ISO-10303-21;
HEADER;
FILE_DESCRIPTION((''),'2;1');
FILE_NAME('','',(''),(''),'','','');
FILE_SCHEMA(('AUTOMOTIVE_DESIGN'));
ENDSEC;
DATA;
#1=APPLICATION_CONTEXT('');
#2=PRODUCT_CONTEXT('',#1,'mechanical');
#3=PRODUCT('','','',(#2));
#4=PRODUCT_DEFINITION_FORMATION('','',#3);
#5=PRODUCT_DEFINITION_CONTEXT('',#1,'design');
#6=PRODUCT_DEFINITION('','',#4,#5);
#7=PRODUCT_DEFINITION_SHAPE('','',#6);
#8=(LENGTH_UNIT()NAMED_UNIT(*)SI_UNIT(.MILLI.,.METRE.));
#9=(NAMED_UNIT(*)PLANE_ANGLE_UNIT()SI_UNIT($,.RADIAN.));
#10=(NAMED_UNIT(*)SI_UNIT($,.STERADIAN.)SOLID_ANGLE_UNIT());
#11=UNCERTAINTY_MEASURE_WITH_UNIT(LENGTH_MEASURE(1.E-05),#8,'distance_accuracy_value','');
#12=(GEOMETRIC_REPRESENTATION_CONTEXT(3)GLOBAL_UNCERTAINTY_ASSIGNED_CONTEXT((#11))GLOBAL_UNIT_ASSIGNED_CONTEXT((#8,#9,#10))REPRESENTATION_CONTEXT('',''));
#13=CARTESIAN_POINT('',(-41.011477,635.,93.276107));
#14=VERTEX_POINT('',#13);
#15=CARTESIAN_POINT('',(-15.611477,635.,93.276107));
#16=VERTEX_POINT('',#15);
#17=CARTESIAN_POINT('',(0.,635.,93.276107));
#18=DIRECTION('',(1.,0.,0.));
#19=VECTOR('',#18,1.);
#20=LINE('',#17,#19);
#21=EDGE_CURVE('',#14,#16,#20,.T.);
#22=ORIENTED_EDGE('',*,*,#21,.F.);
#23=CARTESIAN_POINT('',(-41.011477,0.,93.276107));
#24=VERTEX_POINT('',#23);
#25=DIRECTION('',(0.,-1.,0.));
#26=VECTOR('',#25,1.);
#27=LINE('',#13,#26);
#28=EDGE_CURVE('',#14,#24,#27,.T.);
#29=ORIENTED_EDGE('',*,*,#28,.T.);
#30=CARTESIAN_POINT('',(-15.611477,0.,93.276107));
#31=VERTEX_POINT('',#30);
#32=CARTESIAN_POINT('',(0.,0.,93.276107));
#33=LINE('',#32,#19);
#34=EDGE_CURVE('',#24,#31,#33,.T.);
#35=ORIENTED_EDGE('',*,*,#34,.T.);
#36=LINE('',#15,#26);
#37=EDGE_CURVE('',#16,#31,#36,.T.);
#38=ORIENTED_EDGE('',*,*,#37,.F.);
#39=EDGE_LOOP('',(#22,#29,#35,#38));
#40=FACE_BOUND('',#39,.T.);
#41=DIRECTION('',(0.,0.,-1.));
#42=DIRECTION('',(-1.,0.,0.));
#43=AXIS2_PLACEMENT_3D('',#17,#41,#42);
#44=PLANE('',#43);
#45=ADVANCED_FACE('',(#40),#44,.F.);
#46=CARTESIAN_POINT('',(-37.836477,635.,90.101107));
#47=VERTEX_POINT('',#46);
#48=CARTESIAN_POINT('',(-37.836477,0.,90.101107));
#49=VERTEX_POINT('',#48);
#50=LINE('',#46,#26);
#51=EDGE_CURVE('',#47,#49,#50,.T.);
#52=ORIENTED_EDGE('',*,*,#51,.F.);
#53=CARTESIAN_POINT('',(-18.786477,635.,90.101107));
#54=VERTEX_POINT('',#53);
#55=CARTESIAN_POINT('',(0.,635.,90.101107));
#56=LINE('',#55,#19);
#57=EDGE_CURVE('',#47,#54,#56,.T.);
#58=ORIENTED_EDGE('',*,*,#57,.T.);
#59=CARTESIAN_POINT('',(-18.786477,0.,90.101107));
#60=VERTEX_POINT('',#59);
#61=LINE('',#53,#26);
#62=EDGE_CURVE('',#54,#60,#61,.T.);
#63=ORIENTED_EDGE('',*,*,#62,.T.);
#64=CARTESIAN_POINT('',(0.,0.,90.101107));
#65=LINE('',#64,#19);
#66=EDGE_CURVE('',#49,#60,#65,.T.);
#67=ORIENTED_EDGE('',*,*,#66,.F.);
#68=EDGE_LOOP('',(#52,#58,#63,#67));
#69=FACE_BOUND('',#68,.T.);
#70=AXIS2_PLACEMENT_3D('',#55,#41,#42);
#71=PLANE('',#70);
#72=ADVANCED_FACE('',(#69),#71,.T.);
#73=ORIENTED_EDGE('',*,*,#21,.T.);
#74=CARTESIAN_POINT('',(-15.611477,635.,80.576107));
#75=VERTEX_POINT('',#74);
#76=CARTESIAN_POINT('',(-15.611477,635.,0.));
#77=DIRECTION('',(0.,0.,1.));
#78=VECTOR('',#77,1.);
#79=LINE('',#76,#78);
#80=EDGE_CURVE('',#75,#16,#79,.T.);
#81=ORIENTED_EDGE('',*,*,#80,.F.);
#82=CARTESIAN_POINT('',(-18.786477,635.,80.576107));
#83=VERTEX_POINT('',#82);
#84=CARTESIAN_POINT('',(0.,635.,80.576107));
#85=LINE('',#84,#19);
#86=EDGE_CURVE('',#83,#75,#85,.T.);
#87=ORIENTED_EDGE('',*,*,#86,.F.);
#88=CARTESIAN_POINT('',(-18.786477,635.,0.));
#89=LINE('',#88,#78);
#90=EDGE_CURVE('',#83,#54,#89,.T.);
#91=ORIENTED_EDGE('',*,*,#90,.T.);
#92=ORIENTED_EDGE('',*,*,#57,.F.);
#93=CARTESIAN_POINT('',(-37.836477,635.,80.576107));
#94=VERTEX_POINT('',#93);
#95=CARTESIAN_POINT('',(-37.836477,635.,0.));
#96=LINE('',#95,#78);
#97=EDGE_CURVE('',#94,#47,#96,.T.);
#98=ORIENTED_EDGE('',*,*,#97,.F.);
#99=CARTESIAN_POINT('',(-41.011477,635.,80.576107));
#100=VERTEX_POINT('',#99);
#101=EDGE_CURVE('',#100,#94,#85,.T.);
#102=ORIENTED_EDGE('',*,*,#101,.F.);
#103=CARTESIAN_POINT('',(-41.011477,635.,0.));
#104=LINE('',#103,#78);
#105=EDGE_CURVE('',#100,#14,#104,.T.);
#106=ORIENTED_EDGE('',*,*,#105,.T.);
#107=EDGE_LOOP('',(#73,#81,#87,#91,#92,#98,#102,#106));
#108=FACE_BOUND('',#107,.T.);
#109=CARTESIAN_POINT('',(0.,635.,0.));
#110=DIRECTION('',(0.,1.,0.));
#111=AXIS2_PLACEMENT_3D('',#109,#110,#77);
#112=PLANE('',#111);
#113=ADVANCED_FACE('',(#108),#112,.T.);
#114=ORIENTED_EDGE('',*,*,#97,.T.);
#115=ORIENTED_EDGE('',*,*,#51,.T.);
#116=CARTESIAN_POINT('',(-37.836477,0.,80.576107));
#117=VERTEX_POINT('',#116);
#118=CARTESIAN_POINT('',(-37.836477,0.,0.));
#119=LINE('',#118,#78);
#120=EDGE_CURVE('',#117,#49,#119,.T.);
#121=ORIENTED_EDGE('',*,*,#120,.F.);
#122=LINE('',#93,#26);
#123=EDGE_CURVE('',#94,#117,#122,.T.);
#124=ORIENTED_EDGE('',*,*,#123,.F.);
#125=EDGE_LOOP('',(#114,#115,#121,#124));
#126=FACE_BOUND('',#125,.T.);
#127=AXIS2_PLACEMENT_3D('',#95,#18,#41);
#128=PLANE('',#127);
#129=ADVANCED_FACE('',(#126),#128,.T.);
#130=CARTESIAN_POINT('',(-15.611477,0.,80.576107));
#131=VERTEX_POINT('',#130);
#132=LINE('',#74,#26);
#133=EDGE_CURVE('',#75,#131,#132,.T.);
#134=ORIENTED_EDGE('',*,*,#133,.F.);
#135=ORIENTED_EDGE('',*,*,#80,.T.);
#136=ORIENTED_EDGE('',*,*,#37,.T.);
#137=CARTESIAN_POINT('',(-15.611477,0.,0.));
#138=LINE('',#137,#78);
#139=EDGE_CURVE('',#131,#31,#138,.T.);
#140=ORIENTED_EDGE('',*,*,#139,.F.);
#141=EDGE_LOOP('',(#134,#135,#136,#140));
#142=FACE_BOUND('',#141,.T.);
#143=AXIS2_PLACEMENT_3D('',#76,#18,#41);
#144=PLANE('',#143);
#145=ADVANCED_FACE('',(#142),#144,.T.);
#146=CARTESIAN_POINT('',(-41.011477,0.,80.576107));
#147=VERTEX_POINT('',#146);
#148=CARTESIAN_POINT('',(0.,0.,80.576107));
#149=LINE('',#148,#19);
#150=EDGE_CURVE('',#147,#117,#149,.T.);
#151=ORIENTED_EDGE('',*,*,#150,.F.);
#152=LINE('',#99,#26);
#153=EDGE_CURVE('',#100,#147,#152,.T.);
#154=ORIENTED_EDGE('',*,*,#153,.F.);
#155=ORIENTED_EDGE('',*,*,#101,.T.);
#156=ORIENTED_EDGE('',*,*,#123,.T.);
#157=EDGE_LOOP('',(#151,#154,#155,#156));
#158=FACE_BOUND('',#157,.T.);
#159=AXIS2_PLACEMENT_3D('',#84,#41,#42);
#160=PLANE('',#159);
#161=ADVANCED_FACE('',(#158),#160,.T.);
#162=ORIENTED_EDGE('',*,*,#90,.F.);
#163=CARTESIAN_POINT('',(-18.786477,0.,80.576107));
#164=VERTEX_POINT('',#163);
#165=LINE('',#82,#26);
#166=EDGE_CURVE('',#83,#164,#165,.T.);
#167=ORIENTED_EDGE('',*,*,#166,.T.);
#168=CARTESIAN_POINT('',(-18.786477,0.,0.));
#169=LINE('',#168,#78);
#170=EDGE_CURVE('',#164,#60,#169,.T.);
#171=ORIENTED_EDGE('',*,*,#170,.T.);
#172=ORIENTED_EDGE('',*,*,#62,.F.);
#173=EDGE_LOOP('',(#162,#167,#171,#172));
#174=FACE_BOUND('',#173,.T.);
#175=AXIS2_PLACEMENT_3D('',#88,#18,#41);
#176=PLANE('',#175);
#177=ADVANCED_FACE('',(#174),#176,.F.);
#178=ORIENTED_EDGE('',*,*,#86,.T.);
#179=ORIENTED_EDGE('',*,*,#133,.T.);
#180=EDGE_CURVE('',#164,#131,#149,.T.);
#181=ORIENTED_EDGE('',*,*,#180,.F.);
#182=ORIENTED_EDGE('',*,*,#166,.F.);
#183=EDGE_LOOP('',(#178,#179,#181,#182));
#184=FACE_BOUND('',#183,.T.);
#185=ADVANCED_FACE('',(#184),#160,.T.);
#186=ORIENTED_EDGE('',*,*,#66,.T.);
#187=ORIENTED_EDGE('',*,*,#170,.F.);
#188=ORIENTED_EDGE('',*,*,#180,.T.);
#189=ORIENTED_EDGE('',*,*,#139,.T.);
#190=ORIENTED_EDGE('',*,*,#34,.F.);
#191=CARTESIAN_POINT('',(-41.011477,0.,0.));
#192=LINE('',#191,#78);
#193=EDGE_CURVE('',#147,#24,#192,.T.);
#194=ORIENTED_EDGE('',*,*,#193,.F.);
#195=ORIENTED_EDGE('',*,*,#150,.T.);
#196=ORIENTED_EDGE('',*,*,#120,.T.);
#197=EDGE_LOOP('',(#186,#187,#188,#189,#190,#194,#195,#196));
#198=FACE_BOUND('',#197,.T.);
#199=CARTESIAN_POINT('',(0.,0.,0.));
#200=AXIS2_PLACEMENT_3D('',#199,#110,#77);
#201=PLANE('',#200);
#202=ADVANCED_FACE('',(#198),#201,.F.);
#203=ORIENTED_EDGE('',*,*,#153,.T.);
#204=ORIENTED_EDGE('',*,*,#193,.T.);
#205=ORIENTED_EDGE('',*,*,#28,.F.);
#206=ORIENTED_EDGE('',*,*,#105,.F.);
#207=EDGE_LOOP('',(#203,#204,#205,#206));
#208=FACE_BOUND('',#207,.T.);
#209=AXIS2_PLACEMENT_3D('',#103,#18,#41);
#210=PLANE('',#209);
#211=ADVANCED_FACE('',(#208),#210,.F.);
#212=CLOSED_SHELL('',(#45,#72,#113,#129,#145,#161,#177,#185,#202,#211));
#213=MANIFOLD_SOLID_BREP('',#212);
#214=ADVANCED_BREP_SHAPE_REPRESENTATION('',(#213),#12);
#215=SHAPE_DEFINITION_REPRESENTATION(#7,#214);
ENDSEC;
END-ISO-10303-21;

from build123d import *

# Parameters (mm, degrees)
BOSS_EXTRUDE2_DEPTH = 635


with BuildPart() as part:
    # Sketch3 → Boss-Extrude2 (new body)
    with BuildSketch(Plane(origin=(0, 0, 0), x_dir=(1, 0, 0), z_dir=(0, 1, 0))):
        Polygon((-37.836476992, -80.576106756), (-41.011476992, -80.576106756), (-41.011476992, -93.276106756), (-15.611476992, -93.276106756), (-15.611476992, -80.576106756), (-18.786476992, -80.576106756), (-18.786476992, -90.101106756), (-37.836476992, -90.101106756), align=None)
    extrude(amount=BOSS_EXTRUDE2_DEPTH)


solid = part.part
